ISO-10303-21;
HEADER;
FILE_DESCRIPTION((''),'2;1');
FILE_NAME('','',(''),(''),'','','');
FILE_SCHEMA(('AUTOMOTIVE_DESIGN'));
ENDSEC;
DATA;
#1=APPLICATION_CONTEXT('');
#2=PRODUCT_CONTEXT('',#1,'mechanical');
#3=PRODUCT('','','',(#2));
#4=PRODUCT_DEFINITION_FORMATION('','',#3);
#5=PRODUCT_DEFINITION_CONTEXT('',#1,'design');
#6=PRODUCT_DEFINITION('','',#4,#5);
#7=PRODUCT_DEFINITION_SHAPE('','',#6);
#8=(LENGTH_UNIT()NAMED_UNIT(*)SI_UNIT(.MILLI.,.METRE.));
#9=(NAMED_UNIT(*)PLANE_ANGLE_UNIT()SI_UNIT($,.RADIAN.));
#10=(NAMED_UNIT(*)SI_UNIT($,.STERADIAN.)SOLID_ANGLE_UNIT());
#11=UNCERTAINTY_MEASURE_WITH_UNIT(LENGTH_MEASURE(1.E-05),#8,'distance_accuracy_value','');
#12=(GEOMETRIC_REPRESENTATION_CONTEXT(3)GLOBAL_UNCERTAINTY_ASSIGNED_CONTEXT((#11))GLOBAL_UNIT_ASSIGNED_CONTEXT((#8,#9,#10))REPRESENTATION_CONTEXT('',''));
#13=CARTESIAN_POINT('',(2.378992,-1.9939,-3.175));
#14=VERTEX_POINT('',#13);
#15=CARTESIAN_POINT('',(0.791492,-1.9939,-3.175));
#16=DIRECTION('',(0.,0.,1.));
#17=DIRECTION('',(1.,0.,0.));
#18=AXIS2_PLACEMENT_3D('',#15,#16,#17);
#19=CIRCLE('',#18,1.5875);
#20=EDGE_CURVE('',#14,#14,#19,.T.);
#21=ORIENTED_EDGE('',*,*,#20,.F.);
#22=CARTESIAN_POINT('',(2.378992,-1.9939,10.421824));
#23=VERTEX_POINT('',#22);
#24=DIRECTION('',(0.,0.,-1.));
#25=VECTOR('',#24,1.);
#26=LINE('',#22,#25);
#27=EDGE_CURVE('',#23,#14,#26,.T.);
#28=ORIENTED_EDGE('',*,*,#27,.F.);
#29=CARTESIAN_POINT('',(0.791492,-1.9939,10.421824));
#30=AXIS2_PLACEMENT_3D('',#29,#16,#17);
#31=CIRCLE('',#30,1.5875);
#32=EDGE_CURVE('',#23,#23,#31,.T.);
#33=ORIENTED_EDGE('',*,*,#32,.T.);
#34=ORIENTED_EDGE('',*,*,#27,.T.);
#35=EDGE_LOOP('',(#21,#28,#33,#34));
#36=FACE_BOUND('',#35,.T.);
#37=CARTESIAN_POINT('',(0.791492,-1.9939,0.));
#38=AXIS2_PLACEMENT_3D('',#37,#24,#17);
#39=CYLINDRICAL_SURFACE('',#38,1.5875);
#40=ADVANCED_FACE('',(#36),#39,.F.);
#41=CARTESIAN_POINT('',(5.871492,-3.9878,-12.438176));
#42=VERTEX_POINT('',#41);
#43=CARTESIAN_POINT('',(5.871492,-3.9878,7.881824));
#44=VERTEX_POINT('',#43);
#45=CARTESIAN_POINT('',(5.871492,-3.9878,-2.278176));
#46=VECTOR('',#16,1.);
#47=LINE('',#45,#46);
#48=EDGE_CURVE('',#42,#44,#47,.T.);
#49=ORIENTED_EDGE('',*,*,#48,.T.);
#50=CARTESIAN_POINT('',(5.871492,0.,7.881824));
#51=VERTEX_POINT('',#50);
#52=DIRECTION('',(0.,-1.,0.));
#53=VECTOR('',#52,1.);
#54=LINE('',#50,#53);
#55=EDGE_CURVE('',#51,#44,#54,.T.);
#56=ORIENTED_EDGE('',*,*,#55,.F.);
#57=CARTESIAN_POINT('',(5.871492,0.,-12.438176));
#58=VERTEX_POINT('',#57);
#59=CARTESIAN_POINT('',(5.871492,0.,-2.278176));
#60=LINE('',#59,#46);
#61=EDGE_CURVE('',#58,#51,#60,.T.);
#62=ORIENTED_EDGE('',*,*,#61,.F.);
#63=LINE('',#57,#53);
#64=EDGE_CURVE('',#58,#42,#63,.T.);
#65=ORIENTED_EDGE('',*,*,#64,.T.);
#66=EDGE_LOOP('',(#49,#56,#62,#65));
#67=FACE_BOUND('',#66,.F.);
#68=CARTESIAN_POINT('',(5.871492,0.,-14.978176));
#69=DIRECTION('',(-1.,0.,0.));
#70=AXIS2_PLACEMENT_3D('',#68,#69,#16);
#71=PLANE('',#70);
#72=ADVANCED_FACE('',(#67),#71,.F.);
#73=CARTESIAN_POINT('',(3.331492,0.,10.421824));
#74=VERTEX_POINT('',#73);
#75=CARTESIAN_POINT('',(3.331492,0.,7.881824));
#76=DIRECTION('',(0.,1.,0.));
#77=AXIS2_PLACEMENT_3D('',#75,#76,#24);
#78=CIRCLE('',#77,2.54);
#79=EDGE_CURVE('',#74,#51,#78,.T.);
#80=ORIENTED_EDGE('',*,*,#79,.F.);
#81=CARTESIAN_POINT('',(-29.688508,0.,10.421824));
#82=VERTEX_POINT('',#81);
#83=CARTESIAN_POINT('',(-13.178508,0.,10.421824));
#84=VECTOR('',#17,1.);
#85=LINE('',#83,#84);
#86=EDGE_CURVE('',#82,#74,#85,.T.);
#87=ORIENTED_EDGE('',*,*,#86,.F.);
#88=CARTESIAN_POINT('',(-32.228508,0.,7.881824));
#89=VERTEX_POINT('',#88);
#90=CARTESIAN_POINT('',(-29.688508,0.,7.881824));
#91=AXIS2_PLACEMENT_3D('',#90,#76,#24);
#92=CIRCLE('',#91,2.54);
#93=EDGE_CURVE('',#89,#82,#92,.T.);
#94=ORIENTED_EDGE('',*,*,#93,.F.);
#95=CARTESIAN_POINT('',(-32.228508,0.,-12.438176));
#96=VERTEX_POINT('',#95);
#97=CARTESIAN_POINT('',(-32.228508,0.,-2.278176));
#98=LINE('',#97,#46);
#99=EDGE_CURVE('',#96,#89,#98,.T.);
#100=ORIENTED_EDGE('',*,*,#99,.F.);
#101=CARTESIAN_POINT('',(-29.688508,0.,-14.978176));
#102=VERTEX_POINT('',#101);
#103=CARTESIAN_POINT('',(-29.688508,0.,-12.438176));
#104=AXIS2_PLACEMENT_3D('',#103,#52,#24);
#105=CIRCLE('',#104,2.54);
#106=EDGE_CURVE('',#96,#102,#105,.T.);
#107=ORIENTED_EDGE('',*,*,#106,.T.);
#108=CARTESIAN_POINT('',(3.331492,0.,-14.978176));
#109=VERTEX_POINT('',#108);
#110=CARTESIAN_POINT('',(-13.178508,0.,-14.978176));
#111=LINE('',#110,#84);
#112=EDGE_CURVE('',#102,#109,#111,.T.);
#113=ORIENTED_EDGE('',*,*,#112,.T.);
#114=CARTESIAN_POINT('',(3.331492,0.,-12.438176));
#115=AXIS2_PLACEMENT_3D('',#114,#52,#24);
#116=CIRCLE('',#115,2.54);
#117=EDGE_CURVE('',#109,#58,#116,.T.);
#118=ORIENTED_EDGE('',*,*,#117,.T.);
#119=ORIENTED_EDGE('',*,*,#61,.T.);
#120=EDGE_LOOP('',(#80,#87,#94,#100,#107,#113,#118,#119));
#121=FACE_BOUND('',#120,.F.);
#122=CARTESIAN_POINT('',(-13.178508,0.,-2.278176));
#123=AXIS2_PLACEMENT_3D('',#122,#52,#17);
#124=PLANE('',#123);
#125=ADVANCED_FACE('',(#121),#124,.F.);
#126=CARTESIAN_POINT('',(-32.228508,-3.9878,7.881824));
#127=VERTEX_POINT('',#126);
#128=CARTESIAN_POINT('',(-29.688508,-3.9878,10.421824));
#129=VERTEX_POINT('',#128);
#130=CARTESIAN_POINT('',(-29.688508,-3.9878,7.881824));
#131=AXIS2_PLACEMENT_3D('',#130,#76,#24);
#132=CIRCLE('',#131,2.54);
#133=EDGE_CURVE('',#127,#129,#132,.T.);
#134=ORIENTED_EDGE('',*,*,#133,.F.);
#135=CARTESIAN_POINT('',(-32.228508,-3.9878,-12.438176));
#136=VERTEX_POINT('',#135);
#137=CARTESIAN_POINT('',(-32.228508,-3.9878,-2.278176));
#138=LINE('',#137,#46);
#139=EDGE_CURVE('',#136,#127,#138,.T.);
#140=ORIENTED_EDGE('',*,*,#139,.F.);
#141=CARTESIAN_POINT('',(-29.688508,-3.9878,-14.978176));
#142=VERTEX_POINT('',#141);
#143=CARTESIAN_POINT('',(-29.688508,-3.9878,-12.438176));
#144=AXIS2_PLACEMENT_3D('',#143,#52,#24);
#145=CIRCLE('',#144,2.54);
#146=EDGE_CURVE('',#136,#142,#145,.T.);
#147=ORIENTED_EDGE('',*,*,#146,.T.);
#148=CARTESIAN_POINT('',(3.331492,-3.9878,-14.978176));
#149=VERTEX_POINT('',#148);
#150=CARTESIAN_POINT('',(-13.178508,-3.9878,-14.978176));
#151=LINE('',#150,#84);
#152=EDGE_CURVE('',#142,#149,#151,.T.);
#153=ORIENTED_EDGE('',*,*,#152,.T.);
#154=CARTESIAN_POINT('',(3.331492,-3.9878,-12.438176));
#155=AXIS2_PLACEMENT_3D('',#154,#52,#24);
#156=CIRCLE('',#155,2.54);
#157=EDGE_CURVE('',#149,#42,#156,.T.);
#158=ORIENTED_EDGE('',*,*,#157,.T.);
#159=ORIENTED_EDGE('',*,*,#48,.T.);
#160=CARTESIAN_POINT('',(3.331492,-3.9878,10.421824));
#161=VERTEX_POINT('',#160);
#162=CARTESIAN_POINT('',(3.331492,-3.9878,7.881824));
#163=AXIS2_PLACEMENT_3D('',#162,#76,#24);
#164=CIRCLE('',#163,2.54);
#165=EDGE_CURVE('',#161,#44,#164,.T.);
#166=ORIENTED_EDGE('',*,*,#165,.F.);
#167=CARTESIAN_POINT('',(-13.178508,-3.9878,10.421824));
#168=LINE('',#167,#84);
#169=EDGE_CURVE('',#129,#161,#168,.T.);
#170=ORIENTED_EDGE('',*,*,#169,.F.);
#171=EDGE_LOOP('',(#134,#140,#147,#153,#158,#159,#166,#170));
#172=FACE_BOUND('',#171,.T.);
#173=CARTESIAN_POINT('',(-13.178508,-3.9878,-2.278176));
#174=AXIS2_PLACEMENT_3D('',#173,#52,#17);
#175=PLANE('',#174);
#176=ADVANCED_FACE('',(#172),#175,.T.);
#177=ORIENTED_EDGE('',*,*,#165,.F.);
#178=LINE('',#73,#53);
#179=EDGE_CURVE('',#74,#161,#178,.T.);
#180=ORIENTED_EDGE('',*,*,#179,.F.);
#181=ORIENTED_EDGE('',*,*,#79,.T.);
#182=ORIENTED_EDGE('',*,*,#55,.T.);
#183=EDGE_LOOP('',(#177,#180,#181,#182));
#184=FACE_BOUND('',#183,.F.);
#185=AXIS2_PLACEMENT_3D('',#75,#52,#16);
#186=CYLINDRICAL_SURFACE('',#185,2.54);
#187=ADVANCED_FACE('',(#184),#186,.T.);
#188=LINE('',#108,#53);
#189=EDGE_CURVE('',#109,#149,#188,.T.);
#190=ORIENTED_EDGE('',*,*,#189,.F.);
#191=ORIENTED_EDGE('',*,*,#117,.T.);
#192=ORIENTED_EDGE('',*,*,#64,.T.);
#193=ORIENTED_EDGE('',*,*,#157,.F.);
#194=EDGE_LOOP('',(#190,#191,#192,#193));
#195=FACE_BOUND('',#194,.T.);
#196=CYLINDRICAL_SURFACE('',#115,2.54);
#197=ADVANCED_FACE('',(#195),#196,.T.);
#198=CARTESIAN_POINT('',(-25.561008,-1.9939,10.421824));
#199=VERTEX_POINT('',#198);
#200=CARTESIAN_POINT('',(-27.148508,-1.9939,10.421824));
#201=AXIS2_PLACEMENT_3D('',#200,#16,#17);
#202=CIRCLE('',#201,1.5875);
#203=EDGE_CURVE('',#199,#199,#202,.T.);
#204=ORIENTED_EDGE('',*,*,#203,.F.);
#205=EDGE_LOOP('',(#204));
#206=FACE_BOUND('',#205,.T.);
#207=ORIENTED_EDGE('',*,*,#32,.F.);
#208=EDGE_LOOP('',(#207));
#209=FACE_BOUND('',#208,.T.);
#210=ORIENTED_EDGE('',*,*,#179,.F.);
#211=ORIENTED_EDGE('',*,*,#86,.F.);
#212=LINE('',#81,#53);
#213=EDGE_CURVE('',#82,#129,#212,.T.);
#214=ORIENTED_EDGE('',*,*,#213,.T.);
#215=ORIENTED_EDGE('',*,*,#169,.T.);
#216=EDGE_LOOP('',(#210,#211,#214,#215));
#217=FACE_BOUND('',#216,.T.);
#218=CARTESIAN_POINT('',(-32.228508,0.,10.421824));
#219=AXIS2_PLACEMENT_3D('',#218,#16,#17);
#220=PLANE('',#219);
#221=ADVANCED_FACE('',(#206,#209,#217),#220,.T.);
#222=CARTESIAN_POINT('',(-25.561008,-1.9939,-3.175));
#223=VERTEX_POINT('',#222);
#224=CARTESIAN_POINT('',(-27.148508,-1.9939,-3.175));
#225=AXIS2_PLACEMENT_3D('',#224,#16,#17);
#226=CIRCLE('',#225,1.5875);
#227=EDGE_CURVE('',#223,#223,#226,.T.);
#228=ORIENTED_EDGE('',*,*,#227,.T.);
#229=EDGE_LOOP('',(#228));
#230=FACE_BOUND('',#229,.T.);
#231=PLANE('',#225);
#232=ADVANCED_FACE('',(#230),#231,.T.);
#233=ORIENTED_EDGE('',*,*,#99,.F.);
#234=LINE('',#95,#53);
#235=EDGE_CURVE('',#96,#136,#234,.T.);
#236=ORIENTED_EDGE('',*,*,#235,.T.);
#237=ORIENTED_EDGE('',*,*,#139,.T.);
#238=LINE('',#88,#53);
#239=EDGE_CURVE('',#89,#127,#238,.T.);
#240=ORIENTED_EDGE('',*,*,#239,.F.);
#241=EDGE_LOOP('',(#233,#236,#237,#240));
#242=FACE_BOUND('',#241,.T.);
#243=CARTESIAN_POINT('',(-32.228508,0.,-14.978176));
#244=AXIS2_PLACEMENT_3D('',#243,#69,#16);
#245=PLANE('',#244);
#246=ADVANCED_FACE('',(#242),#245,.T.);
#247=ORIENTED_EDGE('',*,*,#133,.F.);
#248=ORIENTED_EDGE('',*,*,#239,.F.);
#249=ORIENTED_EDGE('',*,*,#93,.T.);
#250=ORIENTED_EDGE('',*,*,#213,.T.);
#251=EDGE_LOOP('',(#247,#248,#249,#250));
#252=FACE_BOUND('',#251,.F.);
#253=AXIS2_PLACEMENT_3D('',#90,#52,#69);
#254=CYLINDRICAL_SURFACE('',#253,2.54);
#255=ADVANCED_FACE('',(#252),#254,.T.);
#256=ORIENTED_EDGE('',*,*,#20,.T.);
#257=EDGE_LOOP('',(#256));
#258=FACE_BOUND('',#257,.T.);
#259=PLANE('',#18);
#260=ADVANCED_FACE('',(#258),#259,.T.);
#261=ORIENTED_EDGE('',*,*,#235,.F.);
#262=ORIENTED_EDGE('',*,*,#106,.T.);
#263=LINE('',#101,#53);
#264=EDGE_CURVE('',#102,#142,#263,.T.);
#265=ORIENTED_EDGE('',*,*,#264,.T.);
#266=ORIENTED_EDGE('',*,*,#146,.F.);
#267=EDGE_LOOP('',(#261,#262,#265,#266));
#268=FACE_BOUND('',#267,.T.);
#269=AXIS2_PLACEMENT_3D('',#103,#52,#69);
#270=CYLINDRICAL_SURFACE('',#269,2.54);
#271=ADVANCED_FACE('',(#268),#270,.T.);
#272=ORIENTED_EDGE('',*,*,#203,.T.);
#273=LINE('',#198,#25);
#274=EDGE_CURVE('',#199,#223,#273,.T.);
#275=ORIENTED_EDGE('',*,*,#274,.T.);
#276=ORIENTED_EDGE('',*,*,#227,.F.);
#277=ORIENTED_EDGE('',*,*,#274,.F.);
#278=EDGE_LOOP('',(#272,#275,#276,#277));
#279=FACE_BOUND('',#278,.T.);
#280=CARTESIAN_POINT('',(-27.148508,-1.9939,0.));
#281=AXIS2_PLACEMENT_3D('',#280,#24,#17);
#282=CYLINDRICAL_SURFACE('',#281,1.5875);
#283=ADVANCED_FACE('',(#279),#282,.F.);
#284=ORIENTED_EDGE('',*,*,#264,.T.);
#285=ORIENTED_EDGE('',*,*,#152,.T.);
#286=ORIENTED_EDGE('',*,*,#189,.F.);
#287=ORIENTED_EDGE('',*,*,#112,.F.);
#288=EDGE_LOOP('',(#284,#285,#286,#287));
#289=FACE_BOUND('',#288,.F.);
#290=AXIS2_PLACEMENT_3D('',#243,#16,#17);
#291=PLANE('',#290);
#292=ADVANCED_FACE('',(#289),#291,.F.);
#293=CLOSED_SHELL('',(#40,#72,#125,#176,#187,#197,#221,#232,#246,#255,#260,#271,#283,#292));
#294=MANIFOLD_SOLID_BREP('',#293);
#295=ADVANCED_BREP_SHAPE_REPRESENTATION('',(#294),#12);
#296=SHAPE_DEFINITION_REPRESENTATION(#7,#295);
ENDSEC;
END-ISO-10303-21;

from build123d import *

# Parameters (mm, degrees)
F0_W          = 38.1
F0_H          = 25.4
F1_DEPTH      = 3.9878
F2_R          = 2.54
F3_R          = 2.54
F4_R          = 2.54
F5_R          = 2.54
F6_R          = 1.5875
F7_DEPTH      = 10.421824
F7_DEPTH_BACK = 3.175


with BuildPart() as f1:
    # F0 (on Front) → F1 (new body)
    with BuildSketch(Plane.XZ):
        with Locations((-13.178508, -2.278176)):
            Rectangle(F0_W, F0_H)
    extrude(amount=F1_DEPTH)

    # F2
    f2_edges = [f1.edges().sort_by_distance(p)[0] for p in [
        (-32.228508, -1.9939, -14.978176),
    ]]
    fillet(f2_edges, radius=F2_R)

    # F3
    f3_edges = [f1.edges().sort_by_distance(p)[0] for p in [
        (5.871492, -1.9939, -14.978176),
    ]]
    fillet(f3_edges, radius=F3_R)

    # F4
    f4_edges = [f1.edges().sort_by_distance(p)[0] for p in [
        (-32.228508, -1.9939, 10.421824),
    ]]
    fillet(f4_edges, radius=F4_R)

    # F5
    f5_edges = [f1.edges().sort_by_distance(p)[0] for p in [
        (5.871492, -1.9939, 10.421824),
    ]]
    fillet(f5_edges, radius=F5_R)

    # F6 (on Top) → F7 (cut, two sides)
    with BuildSketch(Plane.XY) as f7_sk:
        with Locations((-27.148508, -1.9939)):
            Circle(F6_R)
        with Locations((0.791492, -1.9939)):
            Circle(F6_R)
    extrude(amount=F7_DEPTH, mode=Mode.SUBTRACT)
    extrude(f7_sk.sketch, amount=-F7_DEPTH_BACK, mode=Mode.SUBTRACT)


solid = f1.part
